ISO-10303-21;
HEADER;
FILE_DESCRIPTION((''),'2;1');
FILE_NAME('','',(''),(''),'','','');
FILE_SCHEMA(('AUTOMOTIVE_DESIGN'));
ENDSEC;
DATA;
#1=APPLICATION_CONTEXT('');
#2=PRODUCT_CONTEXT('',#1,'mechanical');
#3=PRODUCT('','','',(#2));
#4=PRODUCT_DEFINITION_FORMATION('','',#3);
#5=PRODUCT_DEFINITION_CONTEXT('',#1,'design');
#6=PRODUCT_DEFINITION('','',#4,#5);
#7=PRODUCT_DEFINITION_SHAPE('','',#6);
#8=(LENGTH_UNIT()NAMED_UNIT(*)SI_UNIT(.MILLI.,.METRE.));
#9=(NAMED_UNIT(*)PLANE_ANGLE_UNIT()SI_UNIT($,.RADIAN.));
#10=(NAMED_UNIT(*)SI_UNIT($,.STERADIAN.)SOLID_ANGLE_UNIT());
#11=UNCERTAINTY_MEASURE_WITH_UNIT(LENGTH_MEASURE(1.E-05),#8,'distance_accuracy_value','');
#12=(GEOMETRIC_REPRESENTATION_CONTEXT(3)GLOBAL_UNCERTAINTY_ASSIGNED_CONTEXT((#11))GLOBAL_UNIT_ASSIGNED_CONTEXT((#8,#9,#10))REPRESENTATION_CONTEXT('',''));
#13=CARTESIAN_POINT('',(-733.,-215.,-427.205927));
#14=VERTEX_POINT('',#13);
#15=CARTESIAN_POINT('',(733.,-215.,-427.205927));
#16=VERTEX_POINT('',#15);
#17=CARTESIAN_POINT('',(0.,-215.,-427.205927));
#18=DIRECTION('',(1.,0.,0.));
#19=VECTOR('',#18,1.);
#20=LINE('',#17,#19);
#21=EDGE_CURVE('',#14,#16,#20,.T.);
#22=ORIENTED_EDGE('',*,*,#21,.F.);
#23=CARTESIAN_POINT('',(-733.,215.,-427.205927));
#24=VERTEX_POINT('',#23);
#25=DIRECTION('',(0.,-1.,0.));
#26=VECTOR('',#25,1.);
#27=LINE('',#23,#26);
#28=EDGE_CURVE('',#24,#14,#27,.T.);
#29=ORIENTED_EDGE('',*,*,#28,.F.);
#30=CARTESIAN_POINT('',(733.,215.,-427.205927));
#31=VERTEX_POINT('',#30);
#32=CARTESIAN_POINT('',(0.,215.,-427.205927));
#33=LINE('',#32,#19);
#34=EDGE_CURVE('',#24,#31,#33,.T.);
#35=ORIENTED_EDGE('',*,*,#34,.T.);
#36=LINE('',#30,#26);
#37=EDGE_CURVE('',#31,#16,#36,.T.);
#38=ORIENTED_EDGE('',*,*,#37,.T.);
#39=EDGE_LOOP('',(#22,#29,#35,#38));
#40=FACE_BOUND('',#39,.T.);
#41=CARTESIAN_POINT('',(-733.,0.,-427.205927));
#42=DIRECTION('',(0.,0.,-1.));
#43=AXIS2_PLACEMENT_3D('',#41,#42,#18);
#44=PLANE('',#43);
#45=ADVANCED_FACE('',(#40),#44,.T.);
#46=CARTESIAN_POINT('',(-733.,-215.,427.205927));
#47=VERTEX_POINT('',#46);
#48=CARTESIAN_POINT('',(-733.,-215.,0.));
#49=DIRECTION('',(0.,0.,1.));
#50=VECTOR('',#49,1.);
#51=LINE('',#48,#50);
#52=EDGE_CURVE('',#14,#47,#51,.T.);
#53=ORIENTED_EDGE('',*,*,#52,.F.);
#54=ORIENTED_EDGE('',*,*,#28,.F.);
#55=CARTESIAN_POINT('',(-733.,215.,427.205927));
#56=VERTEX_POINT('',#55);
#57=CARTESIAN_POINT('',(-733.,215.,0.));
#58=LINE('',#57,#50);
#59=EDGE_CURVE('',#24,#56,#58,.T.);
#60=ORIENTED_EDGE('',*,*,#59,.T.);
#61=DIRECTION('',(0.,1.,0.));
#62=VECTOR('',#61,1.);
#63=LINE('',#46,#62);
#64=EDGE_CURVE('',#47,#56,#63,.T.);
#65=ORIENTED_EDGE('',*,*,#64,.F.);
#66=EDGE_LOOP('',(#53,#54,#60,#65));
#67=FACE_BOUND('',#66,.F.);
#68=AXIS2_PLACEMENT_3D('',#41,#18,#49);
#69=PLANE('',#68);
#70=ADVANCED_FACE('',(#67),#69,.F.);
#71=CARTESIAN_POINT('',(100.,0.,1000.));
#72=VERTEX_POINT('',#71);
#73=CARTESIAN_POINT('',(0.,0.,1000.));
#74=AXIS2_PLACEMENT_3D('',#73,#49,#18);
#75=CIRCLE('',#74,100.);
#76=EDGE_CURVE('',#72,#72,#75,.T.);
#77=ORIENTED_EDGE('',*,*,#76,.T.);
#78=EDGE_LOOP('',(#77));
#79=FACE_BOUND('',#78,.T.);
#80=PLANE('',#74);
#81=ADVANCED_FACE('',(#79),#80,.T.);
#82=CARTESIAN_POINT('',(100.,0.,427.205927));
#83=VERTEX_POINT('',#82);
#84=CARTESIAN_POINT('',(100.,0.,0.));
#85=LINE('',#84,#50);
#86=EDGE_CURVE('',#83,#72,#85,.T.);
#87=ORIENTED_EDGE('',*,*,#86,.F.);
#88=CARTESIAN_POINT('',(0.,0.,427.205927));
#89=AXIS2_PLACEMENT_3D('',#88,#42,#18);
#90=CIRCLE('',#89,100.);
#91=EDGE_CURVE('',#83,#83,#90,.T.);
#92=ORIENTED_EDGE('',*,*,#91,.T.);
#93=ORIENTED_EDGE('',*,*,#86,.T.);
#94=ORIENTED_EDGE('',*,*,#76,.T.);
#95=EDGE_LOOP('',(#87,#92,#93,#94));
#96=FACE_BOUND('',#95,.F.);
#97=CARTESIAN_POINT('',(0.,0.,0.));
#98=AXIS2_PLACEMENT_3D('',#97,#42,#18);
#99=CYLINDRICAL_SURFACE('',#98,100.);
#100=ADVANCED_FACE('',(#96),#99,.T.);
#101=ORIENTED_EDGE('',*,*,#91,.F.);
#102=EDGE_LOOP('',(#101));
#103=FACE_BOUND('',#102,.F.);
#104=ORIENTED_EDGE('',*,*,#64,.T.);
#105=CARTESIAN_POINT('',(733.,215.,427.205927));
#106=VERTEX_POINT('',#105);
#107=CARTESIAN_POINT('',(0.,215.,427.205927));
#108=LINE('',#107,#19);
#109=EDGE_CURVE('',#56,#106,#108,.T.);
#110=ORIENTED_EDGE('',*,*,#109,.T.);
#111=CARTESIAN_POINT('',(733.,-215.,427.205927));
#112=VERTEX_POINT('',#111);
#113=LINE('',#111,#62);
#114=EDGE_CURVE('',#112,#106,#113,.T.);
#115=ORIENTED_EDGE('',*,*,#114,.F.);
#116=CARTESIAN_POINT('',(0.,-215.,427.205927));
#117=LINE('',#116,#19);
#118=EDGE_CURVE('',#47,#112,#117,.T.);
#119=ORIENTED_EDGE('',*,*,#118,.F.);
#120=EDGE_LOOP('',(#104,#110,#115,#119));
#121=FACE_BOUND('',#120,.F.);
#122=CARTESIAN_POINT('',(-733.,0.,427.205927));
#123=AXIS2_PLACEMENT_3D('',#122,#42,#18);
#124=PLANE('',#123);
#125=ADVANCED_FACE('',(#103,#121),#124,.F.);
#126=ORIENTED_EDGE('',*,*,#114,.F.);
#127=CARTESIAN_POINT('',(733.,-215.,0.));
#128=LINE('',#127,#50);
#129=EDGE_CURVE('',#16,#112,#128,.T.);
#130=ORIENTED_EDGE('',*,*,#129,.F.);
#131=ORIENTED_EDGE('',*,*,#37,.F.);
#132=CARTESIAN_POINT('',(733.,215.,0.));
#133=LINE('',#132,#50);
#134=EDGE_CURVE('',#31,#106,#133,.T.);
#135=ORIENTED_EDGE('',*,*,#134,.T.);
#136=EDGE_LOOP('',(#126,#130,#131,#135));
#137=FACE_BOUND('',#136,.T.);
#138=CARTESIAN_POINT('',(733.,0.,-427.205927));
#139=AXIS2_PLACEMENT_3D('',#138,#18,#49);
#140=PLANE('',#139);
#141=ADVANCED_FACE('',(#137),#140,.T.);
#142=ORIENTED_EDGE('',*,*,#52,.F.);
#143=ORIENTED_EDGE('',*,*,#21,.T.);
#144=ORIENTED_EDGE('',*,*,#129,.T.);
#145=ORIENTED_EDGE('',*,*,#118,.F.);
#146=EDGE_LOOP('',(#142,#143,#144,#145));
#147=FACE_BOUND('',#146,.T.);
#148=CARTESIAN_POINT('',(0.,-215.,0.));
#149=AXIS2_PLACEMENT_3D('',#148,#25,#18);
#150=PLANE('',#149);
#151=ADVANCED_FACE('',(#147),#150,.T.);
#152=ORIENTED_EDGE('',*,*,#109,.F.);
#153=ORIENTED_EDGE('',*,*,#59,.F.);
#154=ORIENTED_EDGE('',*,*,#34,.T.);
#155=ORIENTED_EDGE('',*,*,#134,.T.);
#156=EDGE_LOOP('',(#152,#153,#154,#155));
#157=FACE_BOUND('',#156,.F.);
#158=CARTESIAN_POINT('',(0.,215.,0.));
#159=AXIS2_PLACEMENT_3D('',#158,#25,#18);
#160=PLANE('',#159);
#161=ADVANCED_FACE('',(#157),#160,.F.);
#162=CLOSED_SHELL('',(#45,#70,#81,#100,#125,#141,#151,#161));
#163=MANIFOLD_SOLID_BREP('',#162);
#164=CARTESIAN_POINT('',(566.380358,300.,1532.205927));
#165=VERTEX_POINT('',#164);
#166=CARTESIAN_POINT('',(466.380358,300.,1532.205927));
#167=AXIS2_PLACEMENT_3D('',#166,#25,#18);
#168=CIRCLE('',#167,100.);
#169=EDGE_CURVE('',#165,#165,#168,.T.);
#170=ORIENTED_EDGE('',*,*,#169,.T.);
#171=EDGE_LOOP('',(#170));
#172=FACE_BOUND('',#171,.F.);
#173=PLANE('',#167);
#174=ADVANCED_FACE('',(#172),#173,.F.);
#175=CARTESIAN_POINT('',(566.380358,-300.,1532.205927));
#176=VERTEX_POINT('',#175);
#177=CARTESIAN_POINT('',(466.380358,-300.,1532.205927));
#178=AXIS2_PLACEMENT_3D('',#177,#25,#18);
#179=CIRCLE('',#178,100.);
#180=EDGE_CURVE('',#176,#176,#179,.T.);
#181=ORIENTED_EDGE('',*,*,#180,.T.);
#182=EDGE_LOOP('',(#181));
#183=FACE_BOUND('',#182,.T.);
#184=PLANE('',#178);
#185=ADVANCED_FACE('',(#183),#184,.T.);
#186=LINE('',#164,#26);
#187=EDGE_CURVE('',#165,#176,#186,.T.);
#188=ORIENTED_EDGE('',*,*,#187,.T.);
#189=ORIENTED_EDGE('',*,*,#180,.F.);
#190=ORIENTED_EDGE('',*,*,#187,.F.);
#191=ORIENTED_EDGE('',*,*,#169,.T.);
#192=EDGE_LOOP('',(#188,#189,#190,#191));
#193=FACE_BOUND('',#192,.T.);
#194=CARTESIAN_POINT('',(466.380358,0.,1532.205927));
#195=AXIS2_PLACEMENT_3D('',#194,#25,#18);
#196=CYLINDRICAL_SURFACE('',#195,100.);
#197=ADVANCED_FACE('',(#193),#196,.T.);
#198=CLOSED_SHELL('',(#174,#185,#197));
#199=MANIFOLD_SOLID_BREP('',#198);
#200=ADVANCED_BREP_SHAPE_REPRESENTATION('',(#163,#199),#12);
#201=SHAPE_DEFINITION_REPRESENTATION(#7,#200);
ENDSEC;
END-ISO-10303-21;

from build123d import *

# Parameters (mm, degrees)
F0_W     = 1466
F0_H     = 854.411854
F1_DEPTH = 215
F0_R     = 100
F2_DEPTH = 300
F3_R     = 100
F4_DEPTH = 1000


with BuildPart() as f1:
    # F0 (on Front) → F1 (new body, symmetric)
    with BuildSketch(Plane.XZ):
        Rectangle(F0_W, F0_H)
    extrude(amount=F1_DEPTH, both=True)

    # F3 (on Top) → F4 (join)
    with BuildSketch(Plane.XY):
        Circle(F3_R)
    extrude(amount=F4_DEPTH)


with BuildPart() as f2:
    # F0 (on Front) → F2 (new body, symmetric)
    with BuildSketch(Plane.XZ):
        with Locations((466.380358, 1532.205927)):
            Circle(F0_R)
    extrude(amount=F2_DEPTH, both=True)


solid = Compound([f1.part, f2.part])
